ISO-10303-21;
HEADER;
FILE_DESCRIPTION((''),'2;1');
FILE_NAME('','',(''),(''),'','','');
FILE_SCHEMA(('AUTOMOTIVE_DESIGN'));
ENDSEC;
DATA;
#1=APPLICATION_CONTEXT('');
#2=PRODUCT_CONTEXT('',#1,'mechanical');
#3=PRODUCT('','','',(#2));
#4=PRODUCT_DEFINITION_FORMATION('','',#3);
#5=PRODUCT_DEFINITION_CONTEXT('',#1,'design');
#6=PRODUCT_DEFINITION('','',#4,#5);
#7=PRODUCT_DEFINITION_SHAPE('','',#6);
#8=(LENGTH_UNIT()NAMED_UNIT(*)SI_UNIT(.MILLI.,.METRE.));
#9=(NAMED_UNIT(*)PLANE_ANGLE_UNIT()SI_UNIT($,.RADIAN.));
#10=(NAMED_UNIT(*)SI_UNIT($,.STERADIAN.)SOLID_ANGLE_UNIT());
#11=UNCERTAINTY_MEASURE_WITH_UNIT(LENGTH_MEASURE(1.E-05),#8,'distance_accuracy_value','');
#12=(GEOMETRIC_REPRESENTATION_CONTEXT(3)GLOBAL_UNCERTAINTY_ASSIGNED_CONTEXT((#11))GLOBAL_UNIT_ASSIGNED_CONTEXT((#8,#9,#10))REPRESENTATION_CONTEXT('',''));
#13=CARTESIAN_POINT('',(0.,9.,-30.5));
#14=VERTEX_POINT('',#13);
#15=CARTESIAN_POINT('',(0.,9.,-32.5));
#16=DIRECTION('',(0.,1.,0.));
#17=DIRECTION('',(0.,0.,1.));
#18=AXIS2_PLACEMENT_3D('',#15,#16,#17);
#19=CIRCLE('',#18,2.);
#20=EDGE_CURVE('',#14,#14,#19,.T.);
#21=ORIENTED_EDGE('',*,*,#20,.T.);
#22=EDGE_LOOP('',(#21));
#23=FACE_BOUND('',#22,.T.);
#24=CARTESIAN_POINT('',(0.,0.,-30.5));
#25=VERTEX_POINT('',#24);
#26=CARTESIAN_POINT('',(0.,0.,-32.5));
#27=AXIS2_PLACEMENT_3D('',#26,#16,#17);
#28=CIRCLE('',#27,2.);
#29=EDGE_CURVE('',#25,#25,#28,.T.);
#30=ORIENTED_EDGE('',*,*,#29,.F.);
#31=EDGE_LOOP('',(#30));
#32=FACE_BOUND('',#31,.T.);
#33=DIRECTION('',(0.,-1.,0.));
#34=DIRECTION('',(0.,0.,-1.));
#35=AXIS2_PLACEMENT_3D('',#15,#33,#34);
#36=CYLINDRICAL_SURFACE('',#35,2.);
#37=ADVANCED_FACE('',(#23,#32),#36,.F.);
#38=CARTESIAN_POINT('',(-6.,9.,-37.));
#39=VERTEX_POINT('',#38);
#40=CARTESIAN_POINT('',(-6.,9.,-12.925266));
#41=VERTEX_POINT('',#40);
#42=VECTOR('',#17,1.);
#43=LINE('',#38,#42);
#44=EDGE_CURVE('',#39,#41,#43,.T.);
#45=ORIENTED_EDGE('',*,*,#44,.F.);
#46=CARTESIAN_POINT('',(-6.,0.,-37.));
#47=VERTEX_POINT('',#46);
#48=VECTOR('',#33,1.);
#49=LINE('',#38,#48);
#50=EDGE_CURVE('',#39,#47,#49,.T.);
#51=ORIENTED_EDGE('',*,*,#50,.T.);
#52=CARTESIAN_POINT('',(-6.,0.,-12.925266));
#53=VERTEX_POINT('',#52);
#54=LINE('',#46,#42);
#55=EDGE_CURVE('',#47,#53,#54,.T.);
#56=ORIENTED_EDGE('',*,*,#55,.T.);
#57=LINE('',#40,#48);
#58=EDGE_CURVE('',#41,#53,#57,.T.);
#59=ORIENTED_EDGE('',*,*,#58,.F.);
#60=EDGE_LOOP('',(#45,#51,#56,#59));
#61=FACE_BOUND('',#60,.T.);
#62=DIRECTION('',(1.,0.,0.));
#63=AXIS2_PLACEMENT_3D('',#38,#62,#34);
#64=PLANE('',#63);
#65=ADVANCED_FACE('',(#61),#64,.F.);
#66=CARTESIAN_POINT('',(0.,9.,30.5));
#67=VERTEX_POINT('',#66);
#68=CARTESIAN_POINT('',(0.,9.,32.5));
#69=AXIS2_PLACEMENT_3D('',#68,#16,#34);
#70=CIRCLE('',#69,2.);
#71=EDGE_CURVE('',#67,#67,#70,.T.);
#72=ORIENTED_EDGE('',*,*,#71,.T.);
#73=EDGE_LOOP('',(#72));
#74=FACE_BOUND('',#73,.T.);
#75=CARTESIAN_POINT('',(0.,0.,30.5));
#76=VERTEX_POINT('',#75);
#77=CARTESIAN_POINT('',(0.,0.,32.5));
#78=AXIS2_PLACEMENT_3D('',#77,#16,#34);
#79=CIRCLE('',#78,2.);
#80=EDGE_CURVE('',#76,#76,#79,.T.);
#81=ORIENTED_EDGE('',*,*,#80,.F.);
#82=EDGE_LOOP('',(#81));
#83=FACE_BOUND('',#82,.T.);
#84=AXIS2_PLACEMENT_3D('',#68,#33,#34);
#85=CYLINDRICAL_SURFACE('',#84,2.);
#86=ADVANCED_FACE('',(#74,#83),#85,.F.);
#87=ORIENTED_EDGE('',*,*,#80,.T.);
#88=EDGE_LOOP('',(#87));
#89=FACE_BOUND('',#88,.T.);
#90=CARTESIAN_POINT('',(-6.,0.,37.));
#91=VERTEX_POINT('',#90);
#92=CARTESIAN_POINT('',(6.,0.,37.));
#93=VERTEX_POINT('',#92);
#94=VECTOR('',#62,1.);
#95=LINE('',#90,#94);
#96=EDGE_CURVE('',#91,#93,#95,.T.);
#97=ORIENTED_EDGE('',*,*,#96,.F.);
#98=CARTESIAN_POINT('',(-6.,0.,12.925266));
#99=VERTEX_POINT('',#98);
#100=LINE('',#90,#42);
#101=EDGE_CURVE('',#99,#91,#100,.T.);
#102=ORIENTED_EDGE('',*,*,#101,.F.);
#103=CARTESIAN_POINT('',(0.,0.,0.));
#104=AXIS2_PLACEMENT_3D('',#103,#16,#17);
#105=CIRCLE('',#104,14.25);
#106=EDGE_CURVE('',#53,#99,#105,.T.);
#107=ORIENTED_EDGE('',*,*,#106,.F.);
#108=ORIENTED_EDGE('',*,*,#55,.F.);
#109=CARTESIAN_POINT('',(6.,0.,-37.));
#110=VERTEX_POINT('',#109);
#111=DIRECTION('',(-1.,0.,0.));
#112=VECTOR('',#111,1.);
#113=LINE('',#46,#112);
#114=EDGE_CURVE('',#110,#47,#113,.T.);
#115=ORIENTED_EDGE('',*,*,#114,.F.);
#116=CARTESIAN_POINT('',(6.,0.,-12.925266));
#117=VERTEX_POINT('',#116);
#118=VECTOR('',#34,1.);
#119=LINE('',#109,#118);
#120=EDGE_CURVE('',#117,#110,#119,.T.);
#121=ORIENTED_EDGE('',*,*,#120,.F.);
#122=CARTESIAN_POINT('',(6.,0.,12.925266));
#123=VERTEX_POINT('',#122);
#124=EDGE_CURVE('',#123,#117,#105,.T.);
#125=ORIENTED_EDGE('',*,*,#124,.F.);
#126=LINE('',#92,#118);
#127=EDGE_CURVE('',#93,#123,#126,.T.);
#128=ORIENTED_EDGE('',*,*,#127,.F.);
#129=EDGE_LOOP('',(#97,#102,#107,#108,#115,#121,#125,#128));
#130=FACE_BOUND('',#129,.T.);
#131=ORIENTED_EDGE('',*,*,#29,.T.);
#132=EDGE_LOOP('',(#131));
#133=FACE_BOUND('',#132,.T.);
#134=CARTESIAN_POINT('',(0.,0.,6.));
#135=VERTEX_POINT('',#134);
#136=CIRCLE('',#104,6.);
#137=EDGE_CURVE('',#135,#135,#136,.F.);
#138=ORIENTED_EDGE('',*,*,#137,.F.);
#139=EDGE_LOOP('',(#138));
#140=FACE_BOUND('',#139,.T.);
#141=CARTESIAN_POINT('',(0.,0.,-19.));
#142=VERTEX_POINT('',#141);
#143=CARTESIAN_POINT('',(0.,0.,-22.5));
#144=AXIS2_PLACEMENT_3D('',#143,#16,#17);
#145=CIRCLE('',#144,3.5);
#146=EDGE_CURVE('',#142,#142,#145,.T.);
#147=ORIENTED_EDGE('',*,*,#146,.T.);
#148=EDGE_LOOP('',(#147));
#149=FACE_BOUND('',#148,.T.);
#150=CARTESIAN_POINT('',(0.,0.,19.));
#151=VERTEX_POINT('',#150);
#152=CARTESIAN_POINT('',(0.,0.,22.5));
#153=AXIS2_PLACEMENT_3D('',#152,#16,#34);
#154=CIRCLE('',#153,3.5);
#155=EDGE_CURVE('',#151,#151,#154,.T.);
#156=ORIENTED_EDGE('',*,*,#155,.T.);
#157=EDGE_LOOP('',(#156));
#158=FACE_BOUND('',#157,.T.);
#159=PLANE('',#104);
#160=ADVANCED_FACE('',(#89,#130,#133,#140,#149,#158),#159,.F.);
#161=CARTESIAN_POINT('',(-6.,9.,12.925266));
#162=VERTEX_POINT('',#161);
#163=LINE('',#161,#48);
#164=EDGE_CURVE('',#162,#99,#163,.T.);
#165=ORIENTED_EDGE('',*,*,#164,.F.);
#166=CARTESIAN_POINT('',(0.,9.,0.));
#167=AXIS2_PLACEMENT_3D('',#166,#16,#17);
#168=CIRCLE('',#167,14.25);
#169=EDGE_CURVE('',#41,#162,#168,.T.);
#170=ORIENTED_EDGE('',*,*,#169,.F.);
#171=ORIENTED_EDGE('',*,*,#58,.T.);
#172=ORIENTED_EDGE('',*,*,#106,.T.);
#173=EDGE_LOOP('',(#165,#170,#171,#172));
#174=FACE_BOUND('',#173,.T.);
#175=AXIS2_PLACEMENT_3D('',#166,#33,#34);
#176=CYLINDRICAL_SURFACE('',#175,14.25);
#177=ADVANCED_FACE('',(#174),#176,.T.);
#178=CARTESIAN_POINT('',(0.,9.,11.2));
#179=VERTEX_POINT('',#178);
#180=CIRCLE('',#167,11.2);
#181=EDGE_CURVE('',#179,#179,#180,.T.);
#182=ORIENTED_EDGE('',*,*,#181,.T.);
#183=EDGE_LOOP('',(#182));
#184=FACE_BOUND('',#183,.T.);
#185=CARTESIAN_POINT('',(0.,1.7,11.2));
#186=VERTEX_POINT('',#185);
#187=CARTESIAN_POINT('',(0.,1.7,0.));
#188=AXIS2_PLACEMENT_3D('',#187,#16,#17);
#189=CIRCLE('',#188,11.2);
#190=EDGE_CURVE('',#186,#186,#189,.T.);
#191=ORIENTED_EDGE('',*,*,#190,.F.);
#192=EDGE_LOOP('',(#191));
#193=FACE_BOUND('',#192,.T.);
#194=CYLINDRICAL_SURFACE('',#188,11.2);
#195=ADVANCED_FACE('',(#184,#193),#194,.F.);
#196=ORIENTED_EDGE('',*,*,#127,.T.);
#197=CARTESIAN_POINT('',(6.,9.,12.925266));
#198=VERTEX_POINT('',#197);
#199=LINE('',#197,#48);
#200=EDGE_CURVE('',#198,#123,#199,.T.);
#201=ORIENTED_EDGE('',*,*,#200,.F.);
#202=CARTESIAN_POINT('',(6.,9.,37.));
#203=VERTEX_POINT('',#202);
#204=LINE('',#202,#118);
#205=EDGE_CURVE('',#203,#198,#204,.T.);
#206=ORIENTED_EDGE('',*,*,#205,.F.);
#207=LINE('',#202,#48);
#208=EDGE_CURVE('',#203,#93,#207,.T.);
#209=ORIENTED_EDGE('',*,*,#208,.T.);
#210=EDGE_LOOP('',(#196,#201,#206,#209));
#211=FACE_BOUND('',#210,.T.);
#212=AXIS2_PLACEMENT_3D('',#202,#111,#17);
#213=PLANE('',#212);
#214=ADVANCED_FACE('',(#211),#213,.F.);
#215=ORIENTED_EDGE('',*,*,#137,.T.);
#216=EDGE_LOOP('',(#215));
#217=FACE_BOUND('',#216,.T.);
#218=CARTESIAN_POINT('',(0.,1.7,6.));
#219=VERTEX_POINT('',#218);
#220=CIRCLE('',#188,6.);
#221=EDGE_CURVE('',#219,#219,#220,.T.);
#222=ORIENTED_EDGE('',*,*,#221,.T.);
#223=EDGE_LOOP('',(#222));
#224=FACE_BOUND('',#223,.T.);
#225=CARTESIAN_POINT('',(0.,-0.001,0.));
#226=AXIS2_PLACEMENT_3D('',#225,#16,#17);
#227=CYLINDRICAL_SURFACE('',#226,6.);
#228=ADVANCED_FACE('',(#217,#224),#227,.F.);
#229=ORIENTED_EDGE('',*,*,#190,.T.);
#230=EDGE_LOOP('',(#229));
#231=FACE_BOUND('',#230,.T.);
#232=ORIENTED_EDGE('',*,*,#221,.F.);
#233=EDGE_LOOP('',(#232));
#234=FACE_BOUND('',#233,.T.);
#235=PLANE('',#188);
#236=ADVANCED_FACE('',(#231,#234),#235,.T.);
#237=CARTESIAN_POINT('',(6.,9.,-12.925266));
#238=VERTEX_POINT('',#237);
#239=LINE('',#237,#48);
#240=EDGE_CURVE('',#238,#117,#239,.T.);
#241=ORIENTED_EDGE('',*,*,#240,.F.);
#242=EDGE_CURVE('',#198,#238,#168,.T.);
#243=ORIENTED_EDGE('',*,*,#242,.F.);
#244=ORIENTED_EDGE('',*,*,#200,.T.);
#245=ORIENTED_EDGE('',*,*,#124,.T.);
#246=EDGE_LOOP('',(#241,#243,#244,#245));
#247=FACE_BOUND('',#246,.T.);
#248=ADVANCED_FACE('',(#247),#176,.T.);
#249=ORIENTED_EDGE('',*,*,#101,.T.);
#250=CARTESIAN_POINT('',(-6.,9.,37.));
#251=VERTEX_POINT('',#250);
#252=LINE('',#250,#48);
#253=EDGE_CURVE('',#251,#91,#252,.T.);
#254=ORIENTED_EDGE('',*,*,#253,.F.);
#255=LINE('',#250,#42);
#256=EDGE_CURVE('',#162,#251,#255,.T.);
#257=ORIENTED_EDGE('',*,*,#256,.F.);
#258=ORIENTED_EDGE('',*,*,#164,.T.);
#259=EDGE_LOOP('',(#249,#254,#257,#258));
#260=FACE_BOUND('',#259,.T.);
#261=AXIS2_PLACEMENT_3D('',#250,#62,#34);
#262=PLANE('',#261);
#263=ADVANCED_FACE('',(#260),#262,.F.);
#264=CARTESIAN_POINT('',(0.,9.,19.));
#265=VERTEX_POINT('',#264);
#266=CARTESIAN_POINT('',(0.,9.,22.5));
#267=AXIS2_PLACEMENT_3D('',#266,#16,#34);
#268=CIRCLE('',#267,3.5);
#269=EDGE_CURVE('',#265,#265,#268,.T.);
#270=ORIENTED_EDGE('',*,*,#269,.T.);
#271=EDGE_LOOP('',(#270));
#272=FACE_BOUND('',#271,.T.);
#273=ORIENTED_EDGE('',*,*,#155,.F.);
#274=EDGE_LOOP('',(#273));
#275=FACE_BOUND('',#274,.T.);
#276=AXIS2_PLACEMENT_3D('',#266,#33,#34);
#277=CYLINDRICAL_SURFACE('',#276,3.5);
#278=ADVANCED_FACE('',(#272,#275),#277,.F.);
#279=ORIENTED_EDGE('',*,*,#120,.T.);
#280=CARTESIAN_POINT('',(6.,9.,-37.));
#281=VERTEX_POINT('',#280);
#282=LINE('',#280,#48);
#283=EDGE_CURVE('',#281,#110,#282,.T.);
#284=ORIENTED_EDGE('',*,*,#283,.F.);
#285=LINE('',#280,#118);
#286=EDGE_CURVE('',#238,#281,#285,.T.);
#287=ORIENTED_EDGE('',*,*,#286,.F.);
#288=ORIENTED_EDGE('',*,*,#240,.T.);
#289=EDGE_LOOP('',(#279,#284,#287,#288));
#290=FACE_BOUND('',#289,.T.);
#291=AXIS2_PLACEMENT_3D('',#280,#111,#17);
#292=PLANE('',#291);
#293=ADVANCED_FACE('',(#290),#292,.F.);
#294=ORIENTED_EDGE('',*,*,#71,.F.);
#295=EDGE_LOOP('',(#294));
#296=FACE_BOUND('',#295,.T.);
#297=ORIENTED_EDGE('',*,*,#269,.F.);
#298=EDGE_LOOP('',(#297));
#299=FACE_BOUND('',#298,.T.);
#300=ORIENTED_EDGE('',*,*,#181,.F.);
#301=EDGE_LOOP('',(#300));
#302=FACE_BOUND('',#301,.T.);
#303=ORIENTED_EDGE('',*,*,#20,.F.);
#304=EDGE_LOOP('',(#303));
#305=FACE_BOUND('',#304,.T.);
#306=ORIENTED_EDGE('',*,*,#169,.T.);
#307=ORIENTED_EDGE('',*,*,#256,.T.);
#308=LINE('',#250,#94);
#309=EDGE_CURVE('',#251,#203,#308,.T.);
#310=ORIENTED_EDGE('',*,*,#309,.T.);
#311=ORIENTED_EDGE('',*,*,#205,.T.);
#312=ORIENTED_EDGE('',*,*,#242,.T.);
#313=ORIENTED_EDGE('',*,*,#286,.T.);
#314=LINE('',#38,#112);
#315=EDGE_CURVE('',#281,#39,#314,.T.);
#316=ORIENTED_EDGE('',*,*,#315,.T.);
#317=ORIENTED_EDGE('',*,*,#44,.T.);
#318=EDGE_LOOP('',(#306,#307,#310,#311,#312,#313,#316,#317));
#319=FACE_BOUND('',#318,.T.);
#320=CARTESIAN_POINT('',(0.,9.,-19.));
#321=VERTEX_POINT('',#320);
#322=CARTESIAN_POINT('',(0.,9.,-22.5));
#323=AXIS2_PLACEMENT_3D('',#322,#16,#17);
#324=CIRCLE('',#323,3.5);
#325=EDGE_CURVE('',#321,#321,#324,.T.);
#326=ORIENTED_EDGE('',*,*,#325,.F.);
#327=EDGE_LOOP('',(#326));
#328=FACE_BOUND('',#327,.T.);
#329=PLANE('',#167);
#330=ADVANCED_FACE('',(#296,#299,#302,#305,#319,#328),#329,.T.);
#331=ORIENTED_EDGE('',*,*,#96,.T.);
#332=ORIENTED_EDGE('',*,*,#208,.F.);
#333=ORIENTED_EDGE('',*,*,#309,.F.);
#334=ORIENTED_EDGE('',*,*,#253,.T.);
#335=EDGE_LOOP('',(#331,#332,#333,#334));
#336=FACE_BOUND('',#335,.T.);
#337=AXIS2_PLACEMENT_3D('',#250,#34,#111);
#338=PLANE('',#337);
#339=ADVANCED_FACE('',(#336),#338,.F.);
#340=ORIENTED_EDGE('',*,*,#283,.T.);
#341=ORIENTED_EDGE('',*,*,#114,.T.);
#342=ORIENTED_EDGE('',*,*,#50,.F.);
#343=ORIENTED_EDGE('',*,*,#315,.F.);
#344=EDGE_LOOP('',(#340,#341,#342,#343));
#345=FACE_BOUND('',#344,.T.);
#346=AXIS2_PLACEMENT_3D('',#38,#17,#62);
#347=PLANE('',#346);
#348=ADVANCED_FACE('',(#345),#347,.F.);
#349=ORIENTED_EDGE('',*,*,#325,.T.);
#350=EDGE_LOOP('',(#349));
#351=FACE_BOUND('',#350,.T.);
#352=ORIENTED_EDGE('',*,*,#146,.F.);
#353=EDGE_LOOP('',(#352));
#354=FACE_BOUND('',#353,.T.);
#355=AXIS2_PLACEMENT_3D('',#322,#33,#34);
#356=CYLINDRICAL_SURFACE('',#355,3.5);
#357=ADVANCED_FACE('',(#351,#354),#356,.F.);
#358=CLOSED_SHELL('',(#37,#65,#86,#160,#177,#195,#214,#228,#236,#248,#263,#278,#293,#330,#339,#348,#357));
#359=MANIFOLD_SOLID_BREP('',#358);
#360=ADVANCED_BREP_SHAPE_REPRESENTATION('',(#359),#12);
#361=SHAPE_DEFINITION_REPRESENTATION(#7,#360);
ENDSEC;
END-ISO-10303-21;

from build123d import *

# Parameters (mm, degrees)
SKETCH1_R           = 3.5
SKETCH1_R_2         = 2
BOSS_EXTRUDE1_DEPTH = 9
SKETCH2_R           = 11.2
CUT_EXTRUDE1_DEPTH  = 7.3
CUT_EXTRUDE2_REACH  = 42.316
SKETCH3_R           = 6


with BuildPart() as part:
    # Sketch1 → Boss-Extrude1 (new body)
    with BuildSketch(Plane(origin=(0, 0, 0), x_dir=(1, 0, 0), z_dir=(0, 1, 0))):
        with BuildLine():
            Line((-6, 37), (6, 37))
            Line((6, 37), (6, 12.925265955))
            ThreePointArc((6, 12.925265955), (14.25, 0), (6, -12.925265955))
            Line((6, -12.925265955), (6, -37))
            Line((6, -37), (-6, -37))
            Line((-6, -37), (-6, -12.925265955))
            ThreePointArc((-6, -12.925265955), (-14.25, 0), (-6, 12.925265955))
            Line((-6, 12.925265955), (-6, 37))
        make_face()
        with Locations(Location((0, 22.5, 0), (0, 0, 270))):
            Circle(SKETCH1_R, mode=Mode.SUBTRACT)
        with Locations(Location((0, 32.5, 0), (0, 0, 270))):
            Circle(SKETCH1_R_2, mode=Mode.SUBTRACT)
        with Locations(Location((0, -22.5, 0), (0, 0, 90))):
            Circle(SKETCH1_R, mode=Mode.SUBTRACT)
        with Locations(Location((0, -32.5, 0), (0, 0, 90))):
            Circle(SKETCH1_R_2, mode=Mode.SUBTRACT)
    extrude(amount=BOSS_EXTRUDE1_DEPTH)

    # Sketch2 → Cut-Extrude1 (cut)
    with BuildSketch(Plane(origin=(0, 9, 0), x_dir=(1, 0, 0), z_dir=(0, 1, 0))):
        with Locations(Location((0, 0, 0), (0, 0, 270))):
            Circle(SKETCH2_R)
    extrude(amount=-CUT_EXTRUDE1_DEPTH, mode=Mode.SUBTRACT)

    # Sketch3 → Cut-Extrude2 (cut, up to next)
    with BuildSketch(Plane(origin=(0, 1.7, 0), x_dir=(1, 0, 0), z_dir=(0, 1, 0)), mode=Mode.PRIVATE) as cut_extrude2_sk1:
        with Locations(Location((0, 0, 0), (0, 0, 270))):
            Circle(SKETCH3_R)
    cut_extrude2_tool1 = extrude(cut_extrude2_sk1.sketch, amount=-CUT_EXTRUDE2_REACH, mode=Mode.PRIVATE) & part.part
    add(cut_extrude2_tool1.solids().sort_by_distance((0, 1.7, 0))[0], mode=Mode.SUBTRACT)


solid = part.part
